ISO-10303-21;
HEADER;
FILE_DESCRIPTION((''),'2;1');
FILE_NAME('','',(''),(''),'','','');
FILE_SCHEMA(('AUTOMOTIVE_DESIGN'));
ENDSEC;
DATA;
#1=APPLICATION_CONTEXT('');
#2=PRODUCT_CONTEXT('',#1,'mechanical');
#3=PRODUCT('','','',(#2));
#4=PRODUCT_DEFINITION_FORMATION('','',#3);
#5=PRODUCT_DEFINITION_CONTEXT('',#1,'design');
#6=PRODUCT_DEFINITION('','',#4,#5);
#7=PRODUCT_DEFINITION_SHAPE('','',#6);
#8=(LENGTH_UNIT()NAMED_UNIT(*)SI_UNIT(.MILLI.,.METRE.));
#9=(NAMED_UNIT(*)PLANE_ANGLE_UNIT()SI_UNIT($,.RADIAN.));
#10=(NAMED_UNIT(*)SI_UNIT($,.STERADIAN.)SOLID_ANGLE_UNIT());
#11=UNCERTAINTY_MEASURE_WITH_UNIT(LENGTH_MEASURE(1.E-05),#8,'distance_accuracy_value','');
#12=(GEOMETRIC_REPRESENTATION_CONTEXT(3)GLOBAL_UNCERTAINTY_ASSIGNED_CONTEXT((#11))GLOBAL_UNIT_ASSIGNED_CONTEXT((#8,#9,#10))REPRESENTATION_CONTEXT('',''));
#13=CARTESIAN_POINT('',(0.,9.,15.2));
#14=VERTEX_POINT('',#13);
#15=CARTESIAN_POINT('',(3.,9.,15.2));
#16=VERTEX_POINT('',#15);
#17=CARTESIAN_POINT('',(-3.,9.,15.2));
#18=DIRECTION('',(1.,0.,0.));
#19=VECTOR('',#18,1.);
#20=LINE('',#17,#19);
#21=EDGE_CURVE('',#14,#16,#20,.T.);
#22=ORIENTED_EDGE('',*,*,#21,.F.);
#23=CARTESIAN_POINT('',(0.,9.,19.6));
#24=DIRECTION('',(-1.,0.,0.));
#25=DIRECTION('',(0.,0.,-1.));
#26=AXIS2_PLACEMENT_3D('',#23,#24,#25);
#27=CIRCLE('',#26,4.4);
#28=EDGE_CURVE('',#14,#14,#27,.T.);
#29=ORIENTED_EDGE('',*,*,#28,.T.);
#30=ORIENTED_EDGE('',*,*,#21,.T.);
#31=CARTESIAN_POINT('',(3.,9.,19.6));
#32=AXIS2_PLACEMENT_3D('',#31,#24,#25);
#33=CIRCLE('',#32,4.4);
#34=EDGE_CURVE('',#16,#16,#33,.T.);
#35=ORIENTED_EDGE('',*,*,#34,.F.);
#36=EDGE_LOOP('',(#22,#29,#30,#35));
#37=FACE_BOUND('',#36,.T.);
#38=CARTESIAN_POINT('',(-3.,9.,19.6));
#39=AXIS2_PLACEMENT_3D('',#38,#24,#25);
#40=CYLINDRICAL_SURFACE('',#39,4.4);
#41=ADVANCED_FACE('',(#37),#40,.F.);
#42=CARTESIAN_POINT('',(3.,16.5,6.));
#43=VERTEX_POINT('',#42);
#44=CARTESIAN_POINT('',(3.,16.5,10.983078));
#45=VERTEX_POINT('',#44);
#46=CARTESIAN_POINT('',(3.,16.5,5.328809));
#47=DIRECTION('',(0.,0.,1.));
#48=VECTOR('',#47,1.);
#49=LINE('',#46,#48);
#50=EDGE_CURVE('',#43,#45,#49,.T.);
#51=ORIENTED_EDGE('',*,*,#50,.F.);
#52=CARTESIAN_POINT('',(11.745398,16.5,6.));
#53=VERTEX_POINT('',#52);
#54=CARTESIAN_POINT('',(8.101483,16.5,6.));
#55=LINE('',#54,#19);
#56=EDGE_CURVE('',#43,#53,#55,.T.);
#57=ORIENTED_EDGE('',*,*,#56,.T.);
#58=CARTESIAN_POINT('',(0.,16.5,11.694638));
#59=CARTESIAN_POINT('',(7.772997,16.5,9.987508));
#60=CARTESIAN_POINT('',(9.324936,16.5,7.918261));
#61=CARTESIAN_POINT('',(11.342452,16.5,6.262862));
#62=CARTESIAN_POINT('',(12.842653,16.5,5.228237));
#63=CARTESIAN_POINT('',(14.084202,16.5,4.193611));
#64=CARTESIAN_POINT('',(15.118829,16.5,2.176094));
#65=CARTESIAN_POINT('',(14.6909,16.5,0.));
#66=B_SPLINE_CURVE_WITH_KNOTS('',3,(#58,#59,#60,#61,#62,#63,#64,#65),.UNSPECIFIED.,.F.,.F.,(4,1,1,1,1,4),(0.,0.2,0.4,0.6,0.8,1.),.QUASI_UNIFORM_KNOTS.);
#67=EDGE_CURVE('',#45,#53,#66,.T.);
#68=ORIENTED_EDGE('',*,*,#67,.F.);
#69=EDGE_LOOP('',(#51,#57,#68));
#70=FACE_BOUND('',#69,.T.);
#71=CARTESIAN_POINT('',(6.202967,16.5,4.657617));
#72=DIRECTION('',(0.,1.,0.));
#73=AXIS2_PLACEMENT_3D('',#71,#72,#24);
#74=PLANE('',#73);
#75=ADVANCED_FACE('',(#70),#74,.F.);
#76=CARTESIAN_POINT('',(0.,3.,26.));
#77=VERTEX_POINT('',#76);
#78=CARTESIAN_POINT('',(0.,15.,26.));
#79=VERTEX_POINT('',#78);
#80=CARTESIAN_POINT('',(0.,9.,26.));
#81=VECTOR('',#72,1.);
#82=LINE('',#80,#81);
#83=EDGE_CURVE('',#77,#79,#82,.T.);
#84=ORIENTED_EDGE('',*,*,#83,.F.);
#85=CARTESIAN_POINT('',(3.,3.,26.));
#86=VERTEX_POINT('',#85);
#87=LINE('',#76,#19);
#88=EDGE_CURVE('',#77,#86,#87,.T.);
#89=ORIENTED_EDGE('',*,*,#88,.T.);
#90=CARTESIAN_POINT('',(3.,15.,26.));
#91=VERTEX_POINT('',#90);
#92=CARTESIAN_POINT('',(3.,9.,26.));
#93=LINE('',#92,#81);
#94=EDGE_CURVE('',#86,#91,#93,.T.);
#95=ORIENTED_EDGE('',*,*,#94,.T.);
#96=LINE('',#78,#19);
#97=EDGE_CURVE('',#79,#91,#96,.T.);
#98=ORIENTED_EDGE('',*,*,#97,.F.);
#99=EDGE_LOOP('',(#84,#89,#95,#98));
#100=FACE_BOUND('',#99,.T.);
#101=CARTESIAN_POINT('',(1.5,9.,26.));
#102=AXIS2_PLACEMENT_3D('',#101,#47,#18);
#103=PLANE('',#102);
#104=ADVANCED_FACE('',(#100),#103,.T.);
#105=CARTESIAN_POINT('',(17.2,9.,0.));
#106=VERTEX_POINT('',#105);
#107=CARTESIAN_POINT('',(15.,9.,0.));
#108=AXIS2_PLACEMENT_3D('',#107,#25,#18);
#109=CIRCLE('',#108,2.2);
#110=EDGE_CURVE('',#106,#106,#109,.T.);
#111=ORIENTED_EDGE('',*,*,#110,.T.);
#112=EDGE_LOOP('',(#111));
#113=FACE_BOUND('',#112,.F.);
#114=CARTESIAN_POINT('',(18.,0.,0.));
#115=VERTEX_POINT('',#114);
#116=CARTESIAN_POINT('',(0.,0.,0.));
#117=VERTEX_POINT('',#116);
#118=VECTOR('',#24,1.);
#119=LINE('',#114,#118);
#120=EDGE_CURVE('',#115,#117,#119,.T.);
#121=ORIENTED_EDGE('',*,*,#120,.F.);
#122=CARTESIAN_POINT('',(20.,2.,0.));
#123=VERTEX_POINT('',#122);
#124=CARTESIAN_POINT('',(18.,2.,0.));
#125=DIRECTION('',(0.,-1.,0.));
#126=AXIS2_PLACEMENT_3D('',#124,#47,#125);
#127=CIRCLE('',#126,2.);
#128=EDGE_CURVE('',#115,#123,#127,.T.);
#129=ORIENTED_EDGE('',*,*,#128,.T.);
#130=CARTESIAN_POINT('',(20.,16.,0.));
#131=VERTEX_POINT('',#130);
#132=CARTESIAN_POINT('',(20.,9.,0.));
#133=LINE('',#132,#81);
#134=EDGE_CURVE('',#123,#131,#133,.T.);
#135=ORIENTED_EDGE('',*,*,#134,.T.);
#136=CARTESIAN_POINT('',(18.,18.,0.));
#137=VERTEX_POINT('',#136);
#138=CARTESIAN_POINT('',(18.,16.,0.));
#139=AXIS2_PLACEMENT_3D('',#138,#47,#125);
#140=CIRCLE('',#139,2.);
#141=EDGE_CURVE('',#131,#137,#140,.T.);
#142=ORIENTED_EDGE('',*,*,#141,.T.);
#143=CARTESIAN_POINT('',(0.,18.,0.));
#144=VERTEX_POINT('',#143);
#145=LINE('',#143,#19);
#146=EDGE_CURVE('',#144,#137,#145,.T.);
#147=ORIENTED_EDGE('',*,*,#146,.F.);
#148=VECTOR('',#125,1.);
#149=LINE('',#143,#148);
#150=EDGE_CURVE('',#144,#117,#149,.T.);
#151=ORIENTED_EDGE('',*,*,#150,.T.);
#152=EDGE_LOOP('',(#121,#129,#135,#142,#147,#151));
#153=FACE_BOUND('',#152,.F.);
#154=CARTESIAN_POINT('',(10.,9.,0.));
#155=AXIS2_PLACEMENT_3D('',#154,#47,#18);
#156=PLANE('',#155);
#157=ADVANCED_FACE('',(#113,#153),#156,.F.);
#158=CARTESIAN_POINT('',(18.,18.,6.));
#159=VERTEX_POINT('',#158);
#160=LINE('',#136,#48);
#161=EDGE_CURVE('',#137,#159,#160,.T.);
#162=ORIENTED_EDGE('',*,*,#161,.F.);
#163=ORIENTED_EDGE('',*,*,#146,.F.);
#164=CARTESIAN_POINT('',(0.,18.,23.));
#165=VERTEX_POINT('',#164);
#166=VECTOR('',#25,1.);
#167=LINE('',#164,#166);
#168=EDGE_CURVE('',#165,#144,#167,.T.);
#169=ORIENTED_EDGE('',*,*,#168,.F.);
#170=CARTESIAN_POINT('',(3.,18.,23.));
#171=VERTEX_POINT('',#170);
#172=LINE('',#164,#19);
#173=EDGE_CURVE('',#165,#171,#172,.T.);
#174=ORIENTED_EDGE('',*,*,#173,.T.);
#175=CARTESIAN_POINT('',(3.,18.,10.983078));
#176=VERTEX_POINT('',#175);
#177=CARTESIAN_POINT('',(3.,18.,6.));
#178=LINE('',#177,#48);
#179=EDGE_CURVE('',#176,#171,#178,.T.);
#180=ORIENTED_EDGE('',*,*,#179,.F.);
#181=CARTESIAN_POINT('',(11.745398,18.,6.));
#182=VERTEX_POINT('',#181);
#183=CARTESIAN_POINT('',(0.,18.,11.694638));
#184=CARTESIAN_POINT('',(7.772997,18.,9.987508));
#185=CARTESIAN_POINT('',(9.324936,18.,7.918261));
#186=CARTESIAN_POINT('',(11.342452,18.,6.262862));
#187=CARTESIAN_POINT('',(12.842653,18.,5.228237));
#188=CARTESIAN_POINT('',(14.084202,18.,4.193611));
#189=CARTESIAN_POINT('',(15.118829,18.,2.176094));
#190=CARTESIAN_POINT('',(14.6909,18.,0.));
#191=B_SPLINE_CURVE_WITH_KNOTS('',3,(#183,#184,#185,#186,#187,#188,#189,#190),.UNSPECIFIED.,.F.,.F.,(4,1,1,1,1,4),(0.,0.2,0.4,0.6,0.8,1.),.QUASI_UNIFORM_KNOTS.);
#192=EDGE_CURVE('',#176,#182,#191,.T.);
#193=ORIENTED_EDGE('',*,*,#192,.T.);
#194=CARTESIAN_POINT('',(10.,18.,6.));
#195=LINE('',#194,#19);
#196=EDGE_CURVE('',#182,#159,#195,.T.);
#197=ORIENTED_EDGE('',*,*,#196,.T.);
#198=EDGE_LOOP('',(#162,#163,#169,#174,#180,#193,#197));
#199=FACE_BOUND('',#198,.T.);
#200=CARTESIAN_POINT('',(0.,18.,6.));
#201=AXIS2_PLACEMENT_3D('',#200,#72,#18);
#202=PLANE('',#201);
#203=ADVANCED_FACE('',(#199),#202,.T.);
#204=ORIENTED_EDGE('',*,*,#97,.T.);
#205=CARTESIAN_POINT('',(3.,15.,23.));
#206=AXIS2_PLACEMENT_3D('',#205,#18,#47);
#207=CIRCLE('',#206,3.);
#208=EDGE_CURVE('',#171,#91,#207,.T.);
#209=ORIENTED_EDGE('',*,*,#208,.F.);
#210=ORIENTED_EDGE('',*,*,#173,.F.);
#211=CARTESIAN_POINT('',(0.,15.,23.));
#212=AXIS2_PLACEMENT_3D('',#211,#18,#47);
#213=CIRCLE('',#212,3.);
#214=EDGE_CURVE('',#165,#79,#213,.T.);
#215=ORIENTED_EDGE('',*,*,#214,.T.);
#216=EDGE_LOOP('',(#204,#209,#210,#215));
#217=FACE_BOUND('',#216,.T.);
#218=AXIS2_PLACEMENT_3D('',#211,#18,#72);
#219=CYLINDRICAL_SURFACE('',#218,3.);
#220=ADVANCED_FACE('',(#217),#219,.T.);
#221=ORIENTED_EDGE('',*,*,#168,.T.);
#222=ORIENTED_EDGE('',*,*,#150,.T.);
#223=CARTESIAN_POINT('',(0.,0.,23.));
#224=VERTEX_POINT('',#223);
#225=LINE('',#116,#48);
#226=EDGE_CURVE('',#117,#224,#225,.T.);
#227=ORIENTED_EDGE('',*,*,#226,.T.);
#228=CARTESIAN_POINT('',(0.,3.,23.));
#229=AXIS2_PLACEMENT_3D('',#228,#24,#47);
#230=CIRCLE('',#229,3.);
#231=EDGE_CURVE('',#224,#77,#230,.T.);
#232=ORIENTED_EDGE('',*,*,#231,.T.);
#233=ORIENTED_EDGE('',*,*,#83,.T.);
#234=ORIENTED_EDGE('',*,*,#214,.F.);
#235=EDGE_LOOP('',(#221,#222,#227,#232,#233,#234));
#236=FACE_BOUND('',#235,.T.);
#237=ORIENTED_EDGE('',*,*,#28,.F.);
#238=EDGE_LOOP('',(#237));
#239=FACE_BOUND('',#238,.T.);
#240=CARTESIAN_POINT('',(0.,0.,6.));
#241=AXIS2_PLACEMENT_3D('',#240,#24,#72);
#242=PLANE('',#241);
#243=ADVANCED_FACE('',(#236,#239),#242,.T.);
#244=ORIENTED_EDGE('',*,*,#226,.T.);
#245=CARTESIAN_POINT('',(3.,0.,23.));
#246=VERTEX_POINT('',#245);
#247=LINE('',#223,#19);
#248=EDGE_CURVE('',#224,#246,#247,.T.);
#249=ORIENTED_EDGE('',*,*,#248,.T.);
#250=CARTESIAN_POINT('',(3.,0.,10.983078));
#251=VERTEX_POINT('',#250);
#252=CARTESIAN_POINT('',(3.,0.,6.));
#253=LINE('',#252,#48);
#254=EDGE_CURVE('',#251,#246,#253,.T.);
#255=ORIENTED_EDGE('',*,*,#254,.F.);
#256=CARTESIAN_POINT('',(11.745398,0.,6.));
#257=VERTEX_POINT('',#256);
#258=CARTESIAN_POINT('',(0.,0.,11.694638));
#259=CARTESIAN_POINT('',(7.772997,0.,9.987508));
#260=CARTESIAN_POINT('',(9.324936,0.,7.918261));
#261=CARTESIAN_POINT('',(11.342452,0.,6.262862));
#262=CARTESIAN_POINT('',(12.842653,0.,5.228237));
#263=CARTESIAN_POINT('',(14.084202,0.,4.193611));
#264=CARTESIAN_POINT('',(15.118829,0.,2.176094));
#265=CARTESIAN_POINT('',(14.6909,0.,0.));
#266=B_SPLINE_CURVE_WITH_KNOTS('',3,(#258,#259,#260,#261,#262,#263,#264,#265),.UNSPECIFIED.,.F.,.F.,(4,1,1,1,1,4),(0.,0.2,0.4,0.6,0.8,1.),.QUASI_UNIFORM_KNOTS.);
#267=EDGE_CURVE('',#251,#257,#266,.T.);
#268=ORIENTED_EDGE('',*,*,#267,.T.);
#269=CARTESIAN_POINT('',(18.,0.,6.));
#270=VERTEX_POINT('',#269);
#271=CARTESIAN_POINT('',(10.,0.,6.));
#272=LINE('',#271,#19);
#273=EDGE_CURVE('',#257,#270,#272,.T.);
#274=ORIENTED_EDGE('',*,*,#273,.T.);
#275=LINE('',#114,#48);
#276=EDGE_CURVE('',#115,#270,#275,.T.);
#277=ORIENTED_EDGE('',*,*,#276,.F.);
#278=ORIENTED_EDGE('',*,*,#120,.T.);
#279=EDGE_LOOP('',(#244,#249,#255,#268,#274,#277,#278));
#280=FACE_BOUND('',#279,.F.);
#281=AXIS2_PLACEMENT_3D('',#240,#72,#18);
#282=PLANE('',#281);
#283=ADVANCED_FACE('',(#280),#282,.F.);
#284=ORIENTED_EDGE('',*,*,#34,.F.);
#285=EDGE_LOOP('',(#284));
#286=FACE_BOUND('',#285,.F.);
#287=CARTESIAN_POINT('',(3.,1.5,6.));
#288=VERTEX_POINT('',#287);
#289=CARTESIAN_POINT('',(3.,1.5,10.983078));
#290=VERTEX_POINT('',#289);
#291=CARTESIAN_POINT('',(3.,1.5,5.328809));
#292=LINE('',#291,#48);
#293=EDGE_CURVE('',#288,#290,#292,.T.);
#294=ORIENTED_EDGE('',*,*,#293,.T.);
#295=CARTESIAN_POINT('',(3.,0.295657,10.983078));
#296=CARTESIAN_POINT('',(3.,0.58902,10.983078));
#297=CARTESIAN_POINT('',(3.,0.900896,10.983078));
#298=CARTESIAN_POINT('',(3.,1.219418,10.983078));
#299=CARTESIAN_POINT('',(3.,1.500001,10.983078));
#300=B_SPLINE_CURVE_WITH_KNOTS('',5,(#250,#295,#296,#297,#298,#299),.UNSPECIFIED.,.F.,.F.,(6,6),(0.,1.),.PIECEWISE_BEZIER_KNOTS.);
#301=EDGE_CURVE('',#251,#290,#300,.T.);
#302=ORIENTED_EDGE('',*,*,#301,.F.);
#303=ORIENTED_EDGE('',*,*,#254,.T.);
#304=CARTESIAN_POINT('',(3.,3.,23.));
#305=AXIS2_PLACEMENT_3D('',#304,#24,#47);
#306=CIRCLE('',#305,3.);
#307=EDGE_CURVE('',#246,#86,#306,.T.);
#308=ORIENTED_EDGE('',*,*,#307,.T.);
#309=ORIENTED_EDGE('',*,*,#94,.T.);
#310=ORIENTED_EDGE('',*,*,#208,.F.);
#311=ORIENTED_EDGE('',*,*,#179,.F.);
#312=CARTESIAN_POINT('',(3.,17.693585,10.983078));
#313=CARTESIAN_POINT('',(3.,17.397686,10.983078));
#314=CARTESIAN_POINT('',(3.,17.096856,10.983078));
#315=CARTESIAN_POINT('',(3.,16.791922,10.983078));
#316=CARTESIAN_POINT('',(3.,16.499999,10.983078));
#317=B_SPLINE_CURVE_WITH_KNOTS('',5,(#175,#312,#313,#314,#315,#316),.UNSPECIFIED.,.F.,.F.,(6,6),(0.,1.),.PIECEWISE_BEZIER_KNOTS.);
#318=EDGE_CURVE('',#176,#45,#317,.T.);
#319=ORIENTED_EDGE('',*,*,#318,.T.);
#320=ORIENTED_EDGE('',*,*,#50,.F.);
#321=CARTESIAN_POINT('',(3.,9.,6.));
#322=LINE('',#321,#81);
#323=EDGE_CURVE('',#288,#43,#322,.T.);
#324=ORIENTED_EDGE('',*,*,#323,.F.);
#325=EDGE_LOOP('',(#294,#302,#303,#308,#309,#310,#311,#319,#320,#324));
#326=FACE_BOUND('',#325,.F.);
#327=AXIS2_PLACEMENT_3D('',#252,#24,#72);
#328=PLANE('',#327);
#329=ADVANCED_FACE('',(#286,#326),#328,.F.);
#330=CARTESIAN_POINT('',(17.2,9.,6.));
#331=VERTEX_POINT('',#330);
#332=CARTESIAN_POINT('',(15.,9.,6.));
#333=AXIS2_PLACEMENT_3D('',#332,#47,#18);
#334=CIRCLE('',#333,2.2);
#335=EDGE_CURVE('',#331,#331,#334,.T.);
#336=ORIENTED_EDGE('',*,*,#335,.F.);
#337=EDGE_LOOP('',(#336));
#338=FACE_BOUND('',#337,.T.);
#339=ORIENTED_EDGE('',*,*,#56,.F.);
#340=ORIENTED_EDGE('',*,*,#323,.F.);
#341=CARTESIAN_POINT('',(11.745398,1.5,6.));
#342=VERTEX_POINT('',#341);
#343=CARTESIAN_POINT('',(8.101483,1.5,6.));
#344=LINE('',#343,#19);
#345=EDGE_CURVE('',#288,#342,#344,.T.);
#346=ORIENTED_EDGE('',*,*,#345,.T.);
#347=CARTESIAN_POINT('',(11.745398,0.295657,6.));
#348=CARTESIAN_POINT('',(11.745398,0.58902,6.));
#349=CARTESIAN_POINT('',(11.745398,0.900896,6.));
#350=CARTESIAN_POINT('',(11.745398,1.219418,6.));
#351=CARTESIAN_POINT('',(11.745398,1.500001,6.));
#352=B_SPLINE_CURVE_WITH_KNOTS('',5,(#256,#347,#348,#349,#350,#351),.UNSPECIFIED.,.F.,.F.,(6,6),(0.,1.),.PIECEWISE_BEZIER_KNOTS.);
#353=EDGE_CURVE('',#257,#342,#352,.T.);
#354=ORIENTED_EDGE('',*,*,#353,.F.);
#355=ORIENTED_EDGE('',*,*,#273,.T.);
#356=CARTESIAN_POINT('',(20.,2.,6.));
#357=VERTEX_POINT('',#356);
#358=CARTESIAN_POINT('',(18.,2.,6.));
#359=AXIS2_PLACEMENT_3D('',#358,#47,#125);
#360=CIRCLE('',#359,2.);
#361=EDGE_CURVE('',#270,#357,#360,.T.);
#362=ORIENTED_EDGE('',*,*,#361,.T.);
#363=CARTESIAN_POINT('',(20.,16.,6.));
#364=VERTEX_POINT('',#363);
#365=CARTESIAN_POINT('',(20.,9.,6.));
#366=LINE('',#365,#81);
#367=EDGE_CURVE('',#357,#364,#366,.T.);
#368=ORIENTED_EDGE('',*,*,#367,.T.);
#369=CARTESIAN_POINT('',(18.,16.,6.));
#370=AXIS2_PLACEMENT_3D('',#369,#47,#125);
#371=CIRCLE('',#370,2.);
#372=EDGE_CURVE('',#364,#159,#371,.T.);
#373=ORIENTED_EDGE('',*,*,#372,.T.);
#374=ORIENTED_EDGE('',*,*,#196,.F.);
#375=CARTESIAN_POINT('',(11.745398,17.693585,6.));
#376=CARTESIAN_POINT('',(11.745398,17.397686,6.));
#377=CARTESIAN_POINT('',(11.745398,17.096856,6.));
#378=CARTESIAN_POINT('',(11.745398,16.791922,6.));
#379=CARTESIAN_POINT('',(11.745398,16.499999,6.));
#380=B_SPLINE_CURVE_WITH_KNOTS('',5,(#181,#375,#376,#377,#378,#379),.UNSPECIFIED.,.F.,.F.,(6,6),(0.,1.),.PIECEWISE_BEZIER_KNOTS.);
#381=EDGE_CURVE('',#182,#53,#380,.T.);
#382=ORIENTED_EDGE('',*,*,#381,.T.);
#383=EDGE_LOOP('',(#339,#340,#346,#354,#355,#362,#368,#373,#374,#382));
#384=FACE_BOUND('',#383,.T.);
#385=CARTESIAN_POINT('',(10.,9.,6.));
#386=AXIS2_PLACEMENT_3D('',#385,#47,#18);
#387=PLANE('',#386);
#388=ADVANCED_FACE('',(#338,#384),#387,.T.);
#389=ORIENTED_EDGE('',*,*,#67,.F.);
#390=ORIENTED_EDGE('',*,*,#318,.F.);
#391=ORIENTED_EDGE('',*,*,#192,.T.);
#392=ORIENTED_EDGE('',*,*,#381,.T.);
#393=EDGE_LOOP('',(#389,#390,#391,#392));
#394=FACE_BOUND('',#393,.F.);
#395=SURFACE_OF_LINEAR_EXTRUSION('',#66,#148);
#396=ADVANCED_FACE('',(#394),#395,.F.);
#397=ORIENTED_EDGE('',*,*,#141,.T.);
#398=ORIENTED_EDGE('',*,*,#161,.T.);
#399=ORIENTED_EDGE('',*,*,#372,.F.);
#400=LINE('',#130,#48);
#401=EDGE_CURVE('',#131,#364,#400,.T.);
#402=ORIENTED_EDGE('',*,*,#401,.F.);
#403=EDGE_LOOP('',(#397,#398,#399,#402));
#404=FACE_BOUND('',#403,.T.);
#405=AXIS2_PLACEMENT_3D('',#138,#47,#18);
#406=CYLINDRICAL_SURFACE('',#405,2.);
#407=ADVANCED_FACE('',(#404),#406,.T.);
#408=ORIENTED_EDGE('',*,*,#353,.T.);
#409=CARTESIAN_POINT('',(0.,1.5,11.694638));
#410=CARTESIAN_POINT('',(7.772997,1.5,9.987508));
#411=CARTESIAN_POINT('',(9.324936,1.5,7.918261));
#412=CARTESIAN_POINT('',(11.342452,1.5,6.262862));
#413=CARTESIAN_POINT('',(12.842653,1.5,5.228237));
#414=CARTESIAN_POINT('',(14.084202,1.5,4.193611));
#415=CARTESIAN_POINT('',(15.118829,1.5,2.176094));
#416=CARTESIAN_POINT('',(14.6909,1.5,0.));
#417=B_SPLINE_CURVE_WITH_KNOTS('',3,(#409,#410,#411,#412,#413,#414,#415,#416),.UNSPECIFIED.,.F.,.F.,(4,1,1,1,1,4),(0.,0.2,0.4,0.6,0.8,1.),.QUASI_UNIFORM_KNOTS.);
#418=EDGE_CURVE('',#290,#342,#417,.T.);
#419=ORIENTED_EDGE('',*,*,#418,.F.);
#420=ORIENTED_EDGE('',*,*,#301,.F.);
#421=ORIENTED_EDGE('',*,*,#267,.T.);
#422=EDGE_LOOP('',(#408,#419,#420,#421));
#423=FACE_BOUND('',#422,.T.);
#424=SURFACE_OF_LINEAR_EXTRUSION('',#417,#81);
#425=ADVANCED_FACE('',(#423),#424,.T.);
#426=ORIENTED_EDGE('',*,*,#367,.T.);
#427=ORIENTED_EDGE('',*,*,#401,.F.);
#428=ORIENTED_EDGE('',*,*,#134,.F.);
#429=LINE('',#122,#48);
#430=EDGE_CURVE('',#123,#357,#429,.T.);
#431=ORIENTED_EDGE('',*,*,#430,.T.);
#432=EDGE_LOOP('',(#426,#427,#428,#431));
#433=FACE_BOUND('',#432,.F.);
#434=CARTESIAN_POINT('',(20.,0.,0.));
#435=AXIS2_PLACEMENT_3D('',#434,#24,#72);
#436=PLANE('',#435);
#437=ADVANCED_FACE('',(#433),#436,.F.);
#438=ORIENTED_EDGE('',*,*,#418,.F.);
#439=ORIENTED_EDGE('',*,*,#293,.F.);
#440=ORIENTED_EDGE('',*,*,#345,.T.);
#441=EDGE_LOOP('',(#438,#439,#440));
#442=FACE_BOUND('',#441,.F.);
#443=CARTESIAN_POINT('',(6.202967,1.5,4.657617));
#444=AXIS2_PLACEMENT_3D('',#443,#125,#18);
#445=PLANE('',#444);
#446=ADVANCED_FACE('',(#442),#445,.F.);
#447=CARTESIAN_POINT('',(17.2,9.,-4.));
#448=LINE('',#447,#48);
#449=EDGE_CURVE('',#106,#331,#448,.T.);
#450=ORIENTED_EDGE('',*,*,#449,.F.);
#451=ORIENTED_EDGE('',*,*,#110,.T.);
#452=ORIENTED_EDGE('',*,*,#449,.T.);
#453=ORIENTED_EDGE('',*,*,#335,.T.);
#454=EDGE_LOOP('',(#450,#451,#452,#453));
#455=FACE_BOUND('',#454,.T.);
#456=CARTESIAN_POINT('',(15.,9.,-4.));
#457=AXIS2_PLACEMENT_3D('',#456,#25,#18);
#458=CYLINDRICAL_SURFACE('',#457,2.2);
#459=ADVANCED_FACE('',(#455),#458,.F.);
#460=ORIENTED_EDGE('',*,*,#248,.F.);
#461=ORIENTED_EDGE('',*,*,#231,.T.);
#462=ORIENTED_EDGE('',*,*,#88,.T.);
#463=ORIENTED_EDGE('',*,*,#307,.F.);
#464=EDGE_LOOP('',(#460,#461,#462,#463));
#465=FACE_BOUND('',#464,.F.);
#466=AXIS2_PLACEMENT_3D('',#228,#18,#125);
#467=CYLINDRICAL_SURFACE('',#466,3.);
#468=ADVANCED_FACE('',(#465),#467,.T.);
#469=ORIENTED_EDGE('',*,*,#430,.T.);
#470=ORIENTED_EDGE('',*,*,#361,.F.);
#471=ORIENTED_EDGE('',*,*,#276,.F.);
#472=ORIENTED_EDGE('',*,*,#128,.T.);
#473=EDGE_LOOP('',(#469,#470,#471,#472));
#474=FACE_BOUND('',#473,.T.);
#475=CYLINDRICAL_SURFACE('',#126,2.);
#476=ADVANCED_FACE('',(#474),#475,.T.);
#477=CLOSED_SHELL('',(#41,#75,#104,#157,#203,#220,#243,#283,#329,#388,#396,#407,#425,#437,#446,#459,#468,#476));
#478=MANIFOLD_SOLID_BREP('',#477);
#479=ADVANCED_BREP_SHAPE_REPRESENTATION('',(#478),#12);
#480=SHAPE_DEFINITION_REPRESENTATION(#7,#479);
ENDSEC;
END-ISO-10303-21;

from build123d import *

# Parameters (mm, degrees)
PAD_DEPTH         = 1.5
CYLINDER001_R     = 2.2
CYLINDER001_DEPTH = 10
CYLINDER_R        = 4.4
CYLINDER_DEPTH    = 10
BOX001_W          = 3
BOX001_H          = 18
BOX001_DEPTH      = 20
FILLET001_R       = 3
BOX_W             = 20
BOX_H             = 18
BOX_DEPTH         = 6
FILLET_R          = 2


with BuildPart() as side_wall_body:
    # Sketch → Pad (new body)
    with BuildSketch(Plane.XZ):
        with BuildLine():
            Line((0, 11.694638), (0, 0))
            Line((0, 0), (14.6909, 0))
            add(Edge.make_bspline(
                [(0, 11.694638), (7.772997, 9.987508), (9.324936, 7.918261), (11.342452, 6.262862), (12.842653, 5.228237), (14.084202, 4.193611), (15.118829, 2.176094), (14.6909, 0)],
                knots=[0, 0, 0, 0, 0.2, 0.4, 0.6, 0.8, 1, 1, 1, 1], degree=3))
        make_face()
    extrude(amount=PAD_DEPTH)


with BuildPart() as side_wall_fusion:
    # Part__Mirroring: instance of side wall body
    add(side_wall_body.part.mirror(Plane(origin=(0, 7.5, 0), x_dir=(1, 0, 0), z_dir=(0, 1, 0))))

    # Fusion002: union side wall body
    add(side_wall_body.part)


with BuildPart() as side_wall_fusion_1:
    # Fusion002 placement: moved
    add(side_wall_fusion.part.moved(Location((0, 1.5, 0))))


with BuildPart() as bolt_hole:
    # Cylinder001 → Cylinder001 (new body)
    with BuildSketch(Plane(origin=(15, 9, -4), x_dir=(1, 0, 0), z_dir=(0, 0, 1))):
        Circle(CYLINDER001_R)
    extrude(amount=CYLINDER001_DEPTH)


with BuildPart() as hole_fusion:
    # Cylinder → Cylinder (new body)
    with BuildSketch(Plane(origin=(-3, 9, 19.6), x_dir=(0, 0, -1), z_dir=(1, 0, 0))):
        Circle(CYLINDER_R)
    extrude(amount=CYLINDER_DEPTH)

    # Fusion001: union bolt hole
    add(bolt_hole.part)


with BuildPart() as socket_fillet:
    # Box001 → Box001 (new body)
    with BuildSketch(Plane.XY.offset(6)):
        with Locations((1.5, 9)):
            Rectangle(BOX001_W, BOX001_H)
    extrude(amount=BOX001_DEPTH)

    # Fillet001
    fillet001_edges = [socket_fillet.edges().sort_by_distance(p)[0] for p in [
        (1.5, 0, 26),
        (1.5, 18, 26),
    ]]
    fillet(fillet001_edges, radius=FILLET001_R)


with BuildPart() as power_12v_socket_fusion:
    # Box → Box (new body)
    with BuildSketch(Plane.XY):
        with Locations((10, 9)):
            Rectangle(BOX_W, BOX_H)
    extrude(amount=BOX_DEPTH)

    # Fillet
    fillet_edges = [power_12v_socket_fusion.edges().sort_by_distance(p)[0] for p in [
        (20, 0, 3),
        (20, 18, 3),
    ]]
    fillet(fillet_edges, radius=FILLET_R)

    # Fusion: union socket fillet
    add(socket_fillet.part)

    # Cut: cut hole fusion
    add(hole_fusion.part, mode=Mode.SUBTRACT)

    # Fusion003: union side wall fusion
    add(side_wall_fusion_1.part)


solid = power_12v_socket_fusion.part
